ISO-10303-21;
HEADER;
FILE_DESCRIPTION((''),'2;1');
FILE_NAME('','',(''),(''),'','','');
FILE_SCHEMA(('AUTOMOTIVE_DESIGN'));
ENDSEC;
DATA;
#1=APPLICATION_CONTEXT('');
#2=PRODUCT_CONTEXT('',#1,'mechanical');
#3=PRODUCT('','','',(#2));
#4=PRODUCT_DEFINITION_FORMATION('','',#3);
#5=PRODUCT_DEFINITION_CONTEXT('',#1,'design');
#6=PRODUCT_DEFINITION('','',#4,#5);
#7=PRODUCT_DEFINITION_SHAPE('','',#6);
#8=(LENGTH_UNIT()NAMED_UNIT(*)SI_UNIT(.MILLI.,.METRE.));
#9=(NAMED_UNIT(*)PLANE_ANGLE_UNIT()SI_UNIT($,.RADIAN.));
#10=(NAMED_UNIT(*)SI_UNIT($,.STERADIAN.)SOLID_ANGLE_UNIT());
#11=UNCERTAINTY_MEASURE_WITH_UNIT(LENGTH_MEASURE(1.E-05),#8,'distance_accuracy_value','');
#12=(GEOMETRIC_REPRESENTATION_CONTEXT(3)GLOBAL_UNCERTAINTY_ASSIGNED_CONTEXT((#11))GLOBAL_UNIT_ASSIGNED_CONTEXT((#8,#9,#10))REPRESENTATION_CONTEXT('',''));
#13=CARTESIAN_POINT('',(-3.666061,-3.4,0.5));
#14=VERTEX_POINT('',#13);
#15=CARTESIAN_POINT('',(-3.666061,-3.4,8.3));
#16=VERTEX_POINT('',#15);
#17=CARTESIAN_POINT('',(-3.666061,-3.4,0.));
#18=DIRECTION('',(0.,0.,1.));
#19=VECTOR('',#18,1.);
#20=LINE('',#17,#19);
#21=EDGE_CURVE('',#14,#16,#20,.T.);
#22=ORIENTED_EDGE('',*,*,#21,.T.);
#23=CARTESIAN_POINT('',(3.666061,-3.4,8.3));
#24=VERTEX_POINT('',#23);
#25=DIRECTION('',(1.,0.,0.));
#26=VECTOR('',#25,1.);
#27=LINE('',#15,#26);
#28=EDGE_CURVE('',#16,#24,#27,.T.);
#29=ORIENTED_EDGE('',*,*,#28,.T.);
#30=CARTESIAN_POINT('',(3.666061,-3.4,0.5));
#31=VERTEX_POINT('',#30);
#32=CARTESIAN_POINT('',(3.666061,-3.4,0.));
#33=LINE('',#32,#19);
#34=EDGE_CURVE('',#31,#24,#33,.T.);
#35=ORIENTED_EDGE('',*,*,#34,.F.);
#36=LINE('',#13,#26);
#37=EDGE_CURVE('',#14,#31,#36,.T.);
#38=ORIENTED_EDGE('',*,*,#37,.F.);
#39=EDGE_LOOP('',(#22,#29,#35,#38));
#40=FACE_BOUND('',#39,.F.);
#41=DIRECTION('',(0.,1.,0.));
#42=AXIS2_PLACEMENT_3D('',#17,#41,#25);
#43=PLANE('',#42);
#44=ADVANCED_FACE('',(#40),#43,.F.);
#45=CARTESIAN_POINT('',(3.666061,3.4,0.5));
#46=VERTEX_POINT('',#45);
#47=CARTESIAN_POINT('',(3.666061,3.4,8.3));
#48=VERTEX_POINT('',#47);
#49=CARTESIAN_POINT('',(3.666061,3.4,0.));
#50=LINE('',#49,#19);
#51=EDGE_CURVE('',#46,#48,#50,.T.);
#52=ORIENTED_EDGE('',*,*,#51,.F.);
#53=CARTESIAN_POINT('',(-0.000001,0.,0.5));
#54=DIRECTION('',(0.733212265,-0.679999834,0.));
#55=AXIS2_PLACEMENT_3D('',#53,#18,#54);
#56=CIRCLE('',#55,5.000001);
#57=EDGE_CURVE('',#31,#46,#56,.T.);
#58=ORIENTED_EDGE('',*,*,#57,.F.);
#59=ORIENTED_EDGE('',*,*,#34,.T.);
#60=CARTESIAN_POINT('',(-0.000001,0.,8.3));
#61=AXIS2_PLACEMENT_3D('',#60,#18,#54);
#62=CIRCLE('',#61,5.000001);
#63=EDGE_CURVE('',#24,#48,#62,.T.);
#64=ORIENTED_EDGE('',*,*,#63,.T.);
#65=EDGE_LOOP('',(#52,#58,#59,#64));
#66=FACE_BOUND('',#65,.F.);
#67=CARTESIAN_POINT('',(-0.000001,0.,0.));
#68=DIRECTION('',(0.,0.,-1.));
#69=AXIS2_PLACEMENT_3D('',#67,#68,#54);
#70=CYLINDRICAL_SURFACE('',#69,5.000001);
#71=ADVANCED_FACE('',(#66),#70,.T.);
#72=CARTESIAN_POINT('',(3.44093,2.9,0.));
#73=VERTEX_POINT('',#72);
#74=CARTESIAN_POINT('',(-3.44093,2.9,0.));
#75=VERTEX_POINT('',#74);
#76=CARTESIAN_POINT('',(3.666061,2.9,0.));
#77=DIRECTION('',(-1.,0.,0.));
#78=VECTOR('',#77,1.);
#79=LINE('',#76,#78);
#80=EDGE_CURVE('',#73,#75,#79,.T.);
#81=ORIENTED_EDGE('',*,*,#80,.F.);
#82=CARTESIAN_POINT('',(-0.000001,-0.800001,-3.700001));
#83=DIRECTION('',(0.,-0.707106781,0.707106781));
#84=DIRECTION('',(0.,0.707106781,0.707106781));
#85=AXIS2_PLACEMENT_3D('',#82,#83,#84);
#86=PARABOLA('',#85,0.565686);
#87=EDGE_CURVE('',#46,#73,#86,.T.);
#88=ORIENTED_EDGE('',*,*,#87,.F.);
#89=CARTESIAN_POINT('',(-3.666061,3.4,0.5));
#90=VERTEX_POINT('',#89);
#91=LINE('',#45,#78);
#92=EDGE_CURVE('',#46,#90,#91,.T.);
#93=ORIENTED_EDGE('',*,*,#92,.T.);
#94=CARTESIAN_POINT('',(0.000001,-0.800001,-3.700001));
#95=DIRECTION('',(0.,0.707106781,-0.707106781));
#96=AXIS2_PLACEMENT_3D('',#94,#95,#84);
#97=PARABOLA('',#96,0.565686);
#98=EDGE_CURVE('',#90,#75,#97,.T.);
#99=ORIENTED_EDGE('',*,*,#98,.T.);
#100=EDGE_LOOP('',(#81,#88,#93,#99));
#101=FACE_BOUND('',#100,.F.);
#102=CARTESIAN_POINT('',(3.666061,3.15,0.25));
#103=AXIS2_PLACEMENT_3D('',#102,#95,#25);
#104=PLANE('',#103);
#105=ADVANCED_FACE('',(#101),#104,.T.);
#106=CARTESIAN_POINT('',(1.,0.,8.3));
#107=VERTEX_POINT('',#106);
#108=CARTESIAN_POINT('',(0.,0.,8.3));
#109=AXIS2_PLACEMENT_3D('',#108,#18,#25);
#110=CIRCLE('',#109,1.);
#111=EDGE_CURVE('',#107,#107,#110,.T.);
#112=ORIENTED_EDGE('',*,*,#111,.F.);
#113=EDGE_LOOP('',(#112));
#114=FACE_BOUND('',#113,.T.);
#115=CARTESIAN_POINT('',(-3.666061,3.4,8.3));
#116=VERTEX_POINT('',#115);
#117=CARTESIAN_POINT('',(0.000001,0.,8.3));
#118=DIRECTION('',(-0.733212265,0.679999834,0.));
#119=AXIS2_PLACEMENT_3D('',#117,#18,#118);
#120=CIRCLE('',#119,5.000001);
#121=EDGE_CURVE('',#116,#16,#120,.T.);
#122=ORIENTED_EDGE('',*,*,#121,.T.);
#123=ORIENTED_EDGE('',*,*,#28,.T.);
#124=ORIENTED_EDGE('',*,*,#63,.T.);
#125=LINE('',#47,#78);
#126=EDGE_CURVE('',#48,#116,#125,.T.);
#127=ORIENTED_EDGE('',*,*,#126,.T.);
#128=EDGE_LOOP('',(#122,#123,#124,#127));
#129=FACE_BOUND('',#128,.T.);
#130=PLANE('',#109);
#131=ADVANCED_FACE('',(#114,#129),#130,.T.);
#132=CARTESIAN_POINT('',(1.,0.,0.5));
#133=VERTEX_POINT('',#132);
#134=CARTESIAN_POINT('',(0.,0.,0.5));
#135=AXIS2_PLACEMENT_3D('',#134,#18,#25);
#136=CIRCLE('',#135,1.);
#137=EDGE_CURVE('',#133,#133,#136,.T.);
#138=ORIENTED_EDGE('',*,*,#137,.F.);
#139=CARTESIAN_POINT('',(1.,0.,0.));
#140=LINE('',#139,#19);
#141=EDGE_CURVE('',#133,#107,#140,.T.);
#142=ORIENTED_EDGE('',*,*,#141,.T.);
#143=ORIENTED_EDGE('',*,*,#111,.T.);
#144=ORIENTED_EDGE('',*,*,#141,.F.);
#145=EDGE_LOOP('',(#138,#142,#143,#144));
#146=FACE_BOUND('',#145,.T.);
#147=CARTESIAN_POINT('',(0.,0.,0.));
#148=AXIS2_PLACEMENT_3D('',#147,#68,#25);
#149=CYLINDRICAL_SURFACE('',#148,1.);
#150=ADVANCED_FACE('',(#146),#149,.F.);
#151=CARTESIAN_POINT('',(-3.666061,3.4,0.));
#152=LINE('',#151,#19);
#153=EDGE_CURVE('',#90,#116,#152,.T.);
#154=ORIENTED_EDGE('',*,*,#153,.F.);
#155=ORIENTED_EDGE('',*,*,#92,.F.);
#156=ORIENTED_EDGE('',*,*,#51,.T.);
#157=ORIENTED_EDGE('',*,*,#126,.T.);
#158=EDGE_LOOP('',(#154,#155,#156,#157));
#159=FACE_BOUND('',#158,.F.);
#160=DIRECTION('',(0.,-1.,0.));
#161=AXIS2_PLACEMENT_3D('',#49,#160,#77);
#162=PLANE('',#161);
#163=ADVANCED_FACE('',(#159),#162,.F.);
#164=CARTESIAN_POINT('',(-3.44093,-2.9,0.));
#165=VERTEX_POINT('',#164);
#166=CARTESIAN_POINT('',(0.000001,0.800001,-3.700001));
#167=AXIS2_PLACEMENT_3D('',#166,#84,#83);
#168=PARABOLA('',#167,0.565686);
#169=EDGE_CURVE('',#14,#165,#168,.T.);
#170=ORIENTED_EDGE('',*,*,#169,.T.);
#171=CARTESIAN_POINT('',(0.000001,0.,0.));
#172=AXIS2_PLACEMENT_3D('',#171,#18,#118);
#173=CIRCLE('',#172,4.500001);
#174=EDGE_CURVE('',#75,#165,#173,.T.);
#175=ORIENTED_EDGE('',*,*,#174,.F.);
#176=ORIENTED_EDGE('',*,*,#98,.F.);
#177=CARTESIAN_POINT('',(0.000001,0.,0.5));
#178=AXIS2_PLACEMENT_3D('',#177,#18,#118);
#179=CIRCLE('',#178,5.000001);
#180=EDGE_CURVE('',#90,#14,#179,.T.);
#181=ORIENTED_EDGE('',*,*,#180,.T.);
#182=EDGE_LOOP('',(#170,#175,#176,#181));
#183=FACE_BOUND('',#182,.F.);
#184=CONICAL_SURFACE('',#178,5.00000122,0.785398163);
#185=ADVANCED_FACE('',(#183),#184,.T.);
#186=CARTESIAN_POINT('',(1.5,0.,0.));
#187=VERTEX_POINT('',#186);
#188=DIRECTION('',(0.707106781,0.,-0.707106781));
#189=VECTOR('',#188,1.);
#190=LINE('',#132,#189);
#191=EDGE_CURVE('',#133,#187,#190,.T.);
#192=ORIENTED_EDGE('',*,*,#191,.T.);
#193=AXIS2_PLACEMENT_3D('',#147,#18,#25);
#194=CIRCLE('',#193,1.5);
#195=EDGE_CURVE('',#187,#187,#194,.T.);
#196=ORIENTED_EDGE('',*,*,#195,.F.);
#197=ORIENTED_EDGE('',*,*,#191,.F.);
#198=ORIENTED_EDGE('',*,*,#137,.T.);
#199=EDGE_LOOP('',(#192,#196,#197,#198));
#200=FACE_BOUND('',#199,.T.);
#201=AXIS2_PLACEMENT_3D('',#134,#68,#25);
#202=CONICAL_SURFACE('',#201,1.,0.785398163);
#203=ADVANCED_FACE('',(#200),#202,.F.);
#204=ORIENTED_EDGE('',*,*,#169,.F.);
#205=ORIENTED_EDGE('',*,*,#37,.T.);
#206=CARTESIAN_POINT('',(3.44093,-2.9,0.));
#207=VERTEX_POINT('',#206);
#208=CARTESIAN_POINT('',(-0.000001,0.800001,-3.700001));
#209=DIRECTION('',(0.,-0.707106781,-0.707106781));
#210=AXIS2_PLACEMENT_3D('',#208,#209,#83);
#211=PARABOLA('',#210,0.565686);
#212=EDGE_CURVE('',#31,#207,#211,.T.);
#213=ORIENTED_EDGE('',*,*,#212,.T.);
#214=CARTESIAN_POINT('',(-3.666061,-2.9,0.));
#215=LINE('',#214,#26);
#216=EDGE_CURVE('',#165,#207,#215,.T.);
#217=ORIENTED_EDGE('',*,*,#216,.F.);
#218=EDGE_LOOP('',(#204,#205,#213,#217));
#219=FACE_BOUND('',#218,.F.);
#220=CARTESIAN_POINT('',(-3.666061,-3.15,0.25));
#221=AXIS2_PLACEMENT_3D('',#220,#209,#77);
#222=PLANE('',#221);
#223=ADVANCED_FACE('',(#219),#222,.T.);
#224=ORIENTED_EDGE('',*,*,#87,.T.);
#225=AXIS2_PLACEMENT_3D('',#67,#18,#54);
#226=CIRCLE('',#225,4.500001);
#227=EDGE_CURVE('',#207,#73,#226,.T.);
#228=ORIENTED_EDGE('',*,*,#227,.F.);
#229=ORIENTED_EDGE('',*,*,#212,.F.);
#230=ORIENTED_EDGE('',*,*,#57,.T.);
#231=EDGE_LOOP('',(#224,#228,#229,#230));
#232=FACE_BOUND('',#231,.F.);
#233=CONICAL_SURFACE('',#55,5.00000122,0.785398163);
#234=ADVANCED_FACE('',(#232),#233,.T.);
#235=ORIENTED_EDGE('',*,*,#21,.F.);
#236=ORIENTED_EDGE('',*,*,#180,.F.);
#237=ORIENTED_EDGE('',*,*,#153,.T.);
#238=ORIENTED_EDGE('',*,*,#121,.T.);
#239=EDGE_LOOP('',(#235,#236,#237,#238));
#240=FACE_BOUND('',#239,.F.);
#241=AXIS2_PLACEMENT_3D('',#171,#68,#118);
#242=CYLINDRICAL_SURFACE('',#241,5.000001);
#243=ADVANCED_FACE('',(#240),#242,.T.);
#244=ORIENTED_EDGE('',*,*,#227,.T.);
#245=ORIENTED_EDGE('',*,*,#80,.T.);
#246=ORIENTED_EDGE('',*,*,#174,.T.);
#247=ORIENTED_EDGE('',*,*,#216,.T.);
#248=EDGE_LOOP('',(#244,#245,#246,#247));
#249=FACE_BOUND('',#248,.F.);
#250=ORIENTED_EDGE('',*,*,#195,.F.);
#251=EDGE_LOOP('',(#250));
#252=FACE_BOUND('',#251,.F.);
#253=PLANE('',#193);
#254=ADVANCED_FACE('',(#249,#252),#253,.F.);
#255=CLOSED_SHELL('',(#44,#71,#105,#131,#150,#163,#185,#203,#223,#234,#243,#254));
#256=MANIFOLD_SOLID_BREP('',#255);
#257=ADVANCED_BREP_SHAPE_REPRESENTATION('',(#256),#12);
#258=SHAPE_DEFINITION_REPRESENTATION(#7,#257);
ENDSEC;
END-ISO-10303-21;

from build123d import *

# Parameters (mm, degrees)
F0_R     = 1
F1_DEPTH = 8.3
F2_SIZE  = 0.5


with BuildPart() as f1:
    # F0 (on Top) → F1 (new body)
    with BuildSketch(Plane.XY):
        with BuildLine():
            Line((3.666061, 3.4), (-3.666061, 3.4))
            ThreePointArc((-3.666061, 3.4), (-5, 0), (-3.666061, -3.4))
            Line((-3.666061, -3.4), (3.666061, -3.4))
            ThreePointArc((3.666061, -3.4), (5, 0), (3.666061, 3.4))
        make_face()
        Circle(F0_R, mode=Mode.SUBTRACT)
    extrude(amount=F1_DEPTH)

    # F2
    f2_edges = [f1.edges().sort_by_distance(p)[0] for p in [
        (-5, 0, 0),
        (0, -3.4, 0),
        (5, 0, 0),
        (0, 3.4, 0),
        (-1, 0, 0),
    ]]
    chamfer(f2_edges, length=F2_SIZE)


solid = f1.part
